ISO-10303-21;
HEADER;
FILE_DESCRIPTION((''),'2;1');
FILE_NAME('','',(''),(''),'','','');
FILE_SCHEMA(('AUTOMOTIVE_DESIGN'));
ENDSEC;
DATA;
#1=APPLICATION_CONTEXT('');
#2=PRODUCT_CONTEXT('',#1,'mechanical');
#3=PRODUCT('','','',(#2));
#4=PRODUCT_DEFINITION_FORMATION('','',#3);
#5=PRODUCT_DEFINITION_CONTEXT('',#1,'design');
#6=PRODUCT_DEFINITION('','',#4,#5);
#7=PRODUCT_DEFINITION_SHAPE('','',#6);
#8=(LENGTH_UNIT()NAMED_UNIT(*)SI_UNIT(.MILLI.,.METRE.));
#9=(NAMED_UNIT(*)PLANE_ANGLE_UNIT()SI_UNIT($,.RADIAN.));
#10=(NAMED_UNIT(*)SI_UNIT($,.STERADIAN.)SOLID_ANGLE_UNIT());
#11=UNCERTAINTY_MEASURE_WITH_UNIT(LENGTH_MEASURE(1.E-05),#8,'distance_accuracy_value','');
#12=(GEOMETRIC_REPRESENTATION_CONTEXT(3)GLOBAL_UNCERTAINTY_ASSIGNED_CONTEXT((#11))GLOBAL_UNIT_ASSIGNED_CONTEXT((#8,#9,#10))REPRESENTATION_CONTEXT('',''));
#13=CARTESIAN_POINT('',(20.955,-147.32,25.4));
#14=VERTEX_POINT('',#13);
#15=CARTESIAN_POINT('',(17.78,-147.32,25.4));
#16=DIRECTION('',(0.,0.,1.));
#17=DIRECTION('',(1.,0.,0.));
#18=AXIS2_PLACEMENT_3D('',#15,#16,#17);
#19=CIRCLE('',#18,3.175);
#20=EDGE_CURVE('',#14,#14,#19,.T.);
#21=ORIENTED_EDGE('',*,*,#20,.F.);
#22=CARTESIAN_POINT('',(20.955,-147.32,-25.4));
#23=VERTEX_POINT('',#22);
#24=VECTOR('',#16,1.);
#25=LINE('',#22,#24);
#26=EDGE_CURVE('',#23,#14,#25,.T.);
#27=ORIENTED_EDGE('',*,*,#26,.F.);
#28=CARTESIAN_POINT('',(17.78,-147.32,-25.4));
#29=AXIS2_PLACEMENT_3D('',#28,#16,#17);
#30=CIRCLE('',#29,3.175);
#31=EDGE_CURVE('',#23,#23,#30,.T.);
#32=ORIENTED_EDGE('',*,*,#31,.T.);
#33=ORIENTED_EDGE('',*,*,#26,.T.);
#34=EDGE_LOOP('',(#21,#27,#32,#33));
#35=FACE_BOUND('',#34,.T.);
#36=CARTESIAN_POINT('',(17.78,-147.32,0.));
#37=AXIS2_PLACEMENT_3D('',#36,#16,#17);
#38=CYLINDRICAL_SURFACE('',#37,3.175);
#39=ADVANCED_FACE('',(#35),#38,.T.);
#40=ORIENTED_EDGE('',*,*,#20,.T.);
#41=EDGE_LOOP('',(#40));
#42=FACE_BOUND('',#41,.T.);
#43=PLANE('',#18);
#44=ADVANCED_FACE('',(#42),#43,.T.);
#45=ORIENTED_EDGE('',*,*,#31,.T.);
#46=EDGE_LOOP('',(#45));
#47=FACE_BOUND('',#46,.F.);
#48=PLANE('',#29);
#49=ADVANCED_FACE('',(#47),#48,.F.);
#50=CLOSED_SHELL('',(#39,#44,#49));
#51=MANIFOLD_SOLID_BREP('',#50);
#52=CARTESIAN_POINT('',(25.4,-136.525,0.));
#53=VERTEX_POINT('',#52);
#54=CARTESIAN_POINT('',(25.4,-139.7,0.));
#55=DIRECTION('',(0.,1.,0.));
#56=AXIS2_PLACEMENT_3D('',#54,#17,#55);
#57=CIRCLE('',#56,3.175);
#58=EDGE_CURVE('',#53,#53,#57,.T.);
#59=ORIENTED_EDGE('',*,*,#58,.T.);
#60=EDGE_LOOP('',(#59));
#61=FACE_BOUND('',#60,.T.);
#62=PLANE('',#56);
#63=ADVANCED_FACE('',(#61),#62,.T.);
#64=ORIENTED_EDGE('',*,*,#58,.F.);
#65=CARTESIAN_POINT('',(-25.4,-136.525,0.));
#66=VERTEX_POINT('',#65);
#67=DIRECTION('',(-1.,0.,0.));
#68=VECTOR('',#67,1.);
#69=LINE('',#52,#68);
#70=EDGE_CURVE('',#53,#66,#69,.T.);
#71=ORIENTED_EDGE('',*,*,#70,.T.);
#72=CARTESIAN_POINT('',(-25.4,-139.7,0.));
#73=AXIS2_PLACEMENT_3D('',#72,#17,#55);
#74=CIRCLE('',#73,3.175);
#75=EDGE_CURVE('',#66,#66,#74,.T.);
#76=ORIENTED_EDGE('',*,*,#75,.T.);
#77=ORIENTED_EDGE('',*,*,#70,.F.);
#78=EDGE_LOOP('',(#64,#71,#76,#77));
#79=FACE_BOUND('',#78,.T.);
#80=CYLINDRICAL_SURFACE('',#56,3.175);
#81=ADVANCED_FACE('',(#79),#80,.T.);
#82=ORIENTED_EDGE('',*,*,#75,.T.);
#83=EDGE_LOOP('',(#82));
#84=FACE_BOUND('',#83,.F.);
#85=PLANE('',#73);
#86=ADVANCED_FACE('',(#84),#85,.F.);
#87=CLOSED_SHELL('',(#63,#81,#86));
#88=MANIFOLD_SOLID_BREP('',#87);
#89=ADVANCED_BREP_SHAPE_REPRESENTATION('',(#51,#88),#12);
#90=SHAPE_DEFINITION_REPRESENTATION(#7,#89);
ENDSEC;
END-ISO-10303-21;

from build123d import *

# Parameters (mm, degrees)
F11_R          = 3.175
F12_DEPTH      = 50.8
F13_R          = 3.175
F14_DEPTH      = 25.4
F14_DEPTH_BACK = 25.4


with BuildPart() as f12:
    # F11 (on line) → F12 (new body)
    with BuildSketch(Plane.YZ.offset(25.4)):
        with Locations((-139.7, 0)):
            Circle(F11_R)
    extrude(amount=-F12_DEPTH)


with BuildPart() as f14:
    # F13 (on face) → F14 (new body, two sides)
    with BuildSketch(Plane.XY) as f14_sk:
        with Locations((17.78, -147.32)):
            Circle(F13_R)
    extrude(amount=F14_DEPTH)
    extrude(f14_sk.sketch, amount=-F14_DEPTH_BACK)


solid = Compound([f12.part, f14.part])
